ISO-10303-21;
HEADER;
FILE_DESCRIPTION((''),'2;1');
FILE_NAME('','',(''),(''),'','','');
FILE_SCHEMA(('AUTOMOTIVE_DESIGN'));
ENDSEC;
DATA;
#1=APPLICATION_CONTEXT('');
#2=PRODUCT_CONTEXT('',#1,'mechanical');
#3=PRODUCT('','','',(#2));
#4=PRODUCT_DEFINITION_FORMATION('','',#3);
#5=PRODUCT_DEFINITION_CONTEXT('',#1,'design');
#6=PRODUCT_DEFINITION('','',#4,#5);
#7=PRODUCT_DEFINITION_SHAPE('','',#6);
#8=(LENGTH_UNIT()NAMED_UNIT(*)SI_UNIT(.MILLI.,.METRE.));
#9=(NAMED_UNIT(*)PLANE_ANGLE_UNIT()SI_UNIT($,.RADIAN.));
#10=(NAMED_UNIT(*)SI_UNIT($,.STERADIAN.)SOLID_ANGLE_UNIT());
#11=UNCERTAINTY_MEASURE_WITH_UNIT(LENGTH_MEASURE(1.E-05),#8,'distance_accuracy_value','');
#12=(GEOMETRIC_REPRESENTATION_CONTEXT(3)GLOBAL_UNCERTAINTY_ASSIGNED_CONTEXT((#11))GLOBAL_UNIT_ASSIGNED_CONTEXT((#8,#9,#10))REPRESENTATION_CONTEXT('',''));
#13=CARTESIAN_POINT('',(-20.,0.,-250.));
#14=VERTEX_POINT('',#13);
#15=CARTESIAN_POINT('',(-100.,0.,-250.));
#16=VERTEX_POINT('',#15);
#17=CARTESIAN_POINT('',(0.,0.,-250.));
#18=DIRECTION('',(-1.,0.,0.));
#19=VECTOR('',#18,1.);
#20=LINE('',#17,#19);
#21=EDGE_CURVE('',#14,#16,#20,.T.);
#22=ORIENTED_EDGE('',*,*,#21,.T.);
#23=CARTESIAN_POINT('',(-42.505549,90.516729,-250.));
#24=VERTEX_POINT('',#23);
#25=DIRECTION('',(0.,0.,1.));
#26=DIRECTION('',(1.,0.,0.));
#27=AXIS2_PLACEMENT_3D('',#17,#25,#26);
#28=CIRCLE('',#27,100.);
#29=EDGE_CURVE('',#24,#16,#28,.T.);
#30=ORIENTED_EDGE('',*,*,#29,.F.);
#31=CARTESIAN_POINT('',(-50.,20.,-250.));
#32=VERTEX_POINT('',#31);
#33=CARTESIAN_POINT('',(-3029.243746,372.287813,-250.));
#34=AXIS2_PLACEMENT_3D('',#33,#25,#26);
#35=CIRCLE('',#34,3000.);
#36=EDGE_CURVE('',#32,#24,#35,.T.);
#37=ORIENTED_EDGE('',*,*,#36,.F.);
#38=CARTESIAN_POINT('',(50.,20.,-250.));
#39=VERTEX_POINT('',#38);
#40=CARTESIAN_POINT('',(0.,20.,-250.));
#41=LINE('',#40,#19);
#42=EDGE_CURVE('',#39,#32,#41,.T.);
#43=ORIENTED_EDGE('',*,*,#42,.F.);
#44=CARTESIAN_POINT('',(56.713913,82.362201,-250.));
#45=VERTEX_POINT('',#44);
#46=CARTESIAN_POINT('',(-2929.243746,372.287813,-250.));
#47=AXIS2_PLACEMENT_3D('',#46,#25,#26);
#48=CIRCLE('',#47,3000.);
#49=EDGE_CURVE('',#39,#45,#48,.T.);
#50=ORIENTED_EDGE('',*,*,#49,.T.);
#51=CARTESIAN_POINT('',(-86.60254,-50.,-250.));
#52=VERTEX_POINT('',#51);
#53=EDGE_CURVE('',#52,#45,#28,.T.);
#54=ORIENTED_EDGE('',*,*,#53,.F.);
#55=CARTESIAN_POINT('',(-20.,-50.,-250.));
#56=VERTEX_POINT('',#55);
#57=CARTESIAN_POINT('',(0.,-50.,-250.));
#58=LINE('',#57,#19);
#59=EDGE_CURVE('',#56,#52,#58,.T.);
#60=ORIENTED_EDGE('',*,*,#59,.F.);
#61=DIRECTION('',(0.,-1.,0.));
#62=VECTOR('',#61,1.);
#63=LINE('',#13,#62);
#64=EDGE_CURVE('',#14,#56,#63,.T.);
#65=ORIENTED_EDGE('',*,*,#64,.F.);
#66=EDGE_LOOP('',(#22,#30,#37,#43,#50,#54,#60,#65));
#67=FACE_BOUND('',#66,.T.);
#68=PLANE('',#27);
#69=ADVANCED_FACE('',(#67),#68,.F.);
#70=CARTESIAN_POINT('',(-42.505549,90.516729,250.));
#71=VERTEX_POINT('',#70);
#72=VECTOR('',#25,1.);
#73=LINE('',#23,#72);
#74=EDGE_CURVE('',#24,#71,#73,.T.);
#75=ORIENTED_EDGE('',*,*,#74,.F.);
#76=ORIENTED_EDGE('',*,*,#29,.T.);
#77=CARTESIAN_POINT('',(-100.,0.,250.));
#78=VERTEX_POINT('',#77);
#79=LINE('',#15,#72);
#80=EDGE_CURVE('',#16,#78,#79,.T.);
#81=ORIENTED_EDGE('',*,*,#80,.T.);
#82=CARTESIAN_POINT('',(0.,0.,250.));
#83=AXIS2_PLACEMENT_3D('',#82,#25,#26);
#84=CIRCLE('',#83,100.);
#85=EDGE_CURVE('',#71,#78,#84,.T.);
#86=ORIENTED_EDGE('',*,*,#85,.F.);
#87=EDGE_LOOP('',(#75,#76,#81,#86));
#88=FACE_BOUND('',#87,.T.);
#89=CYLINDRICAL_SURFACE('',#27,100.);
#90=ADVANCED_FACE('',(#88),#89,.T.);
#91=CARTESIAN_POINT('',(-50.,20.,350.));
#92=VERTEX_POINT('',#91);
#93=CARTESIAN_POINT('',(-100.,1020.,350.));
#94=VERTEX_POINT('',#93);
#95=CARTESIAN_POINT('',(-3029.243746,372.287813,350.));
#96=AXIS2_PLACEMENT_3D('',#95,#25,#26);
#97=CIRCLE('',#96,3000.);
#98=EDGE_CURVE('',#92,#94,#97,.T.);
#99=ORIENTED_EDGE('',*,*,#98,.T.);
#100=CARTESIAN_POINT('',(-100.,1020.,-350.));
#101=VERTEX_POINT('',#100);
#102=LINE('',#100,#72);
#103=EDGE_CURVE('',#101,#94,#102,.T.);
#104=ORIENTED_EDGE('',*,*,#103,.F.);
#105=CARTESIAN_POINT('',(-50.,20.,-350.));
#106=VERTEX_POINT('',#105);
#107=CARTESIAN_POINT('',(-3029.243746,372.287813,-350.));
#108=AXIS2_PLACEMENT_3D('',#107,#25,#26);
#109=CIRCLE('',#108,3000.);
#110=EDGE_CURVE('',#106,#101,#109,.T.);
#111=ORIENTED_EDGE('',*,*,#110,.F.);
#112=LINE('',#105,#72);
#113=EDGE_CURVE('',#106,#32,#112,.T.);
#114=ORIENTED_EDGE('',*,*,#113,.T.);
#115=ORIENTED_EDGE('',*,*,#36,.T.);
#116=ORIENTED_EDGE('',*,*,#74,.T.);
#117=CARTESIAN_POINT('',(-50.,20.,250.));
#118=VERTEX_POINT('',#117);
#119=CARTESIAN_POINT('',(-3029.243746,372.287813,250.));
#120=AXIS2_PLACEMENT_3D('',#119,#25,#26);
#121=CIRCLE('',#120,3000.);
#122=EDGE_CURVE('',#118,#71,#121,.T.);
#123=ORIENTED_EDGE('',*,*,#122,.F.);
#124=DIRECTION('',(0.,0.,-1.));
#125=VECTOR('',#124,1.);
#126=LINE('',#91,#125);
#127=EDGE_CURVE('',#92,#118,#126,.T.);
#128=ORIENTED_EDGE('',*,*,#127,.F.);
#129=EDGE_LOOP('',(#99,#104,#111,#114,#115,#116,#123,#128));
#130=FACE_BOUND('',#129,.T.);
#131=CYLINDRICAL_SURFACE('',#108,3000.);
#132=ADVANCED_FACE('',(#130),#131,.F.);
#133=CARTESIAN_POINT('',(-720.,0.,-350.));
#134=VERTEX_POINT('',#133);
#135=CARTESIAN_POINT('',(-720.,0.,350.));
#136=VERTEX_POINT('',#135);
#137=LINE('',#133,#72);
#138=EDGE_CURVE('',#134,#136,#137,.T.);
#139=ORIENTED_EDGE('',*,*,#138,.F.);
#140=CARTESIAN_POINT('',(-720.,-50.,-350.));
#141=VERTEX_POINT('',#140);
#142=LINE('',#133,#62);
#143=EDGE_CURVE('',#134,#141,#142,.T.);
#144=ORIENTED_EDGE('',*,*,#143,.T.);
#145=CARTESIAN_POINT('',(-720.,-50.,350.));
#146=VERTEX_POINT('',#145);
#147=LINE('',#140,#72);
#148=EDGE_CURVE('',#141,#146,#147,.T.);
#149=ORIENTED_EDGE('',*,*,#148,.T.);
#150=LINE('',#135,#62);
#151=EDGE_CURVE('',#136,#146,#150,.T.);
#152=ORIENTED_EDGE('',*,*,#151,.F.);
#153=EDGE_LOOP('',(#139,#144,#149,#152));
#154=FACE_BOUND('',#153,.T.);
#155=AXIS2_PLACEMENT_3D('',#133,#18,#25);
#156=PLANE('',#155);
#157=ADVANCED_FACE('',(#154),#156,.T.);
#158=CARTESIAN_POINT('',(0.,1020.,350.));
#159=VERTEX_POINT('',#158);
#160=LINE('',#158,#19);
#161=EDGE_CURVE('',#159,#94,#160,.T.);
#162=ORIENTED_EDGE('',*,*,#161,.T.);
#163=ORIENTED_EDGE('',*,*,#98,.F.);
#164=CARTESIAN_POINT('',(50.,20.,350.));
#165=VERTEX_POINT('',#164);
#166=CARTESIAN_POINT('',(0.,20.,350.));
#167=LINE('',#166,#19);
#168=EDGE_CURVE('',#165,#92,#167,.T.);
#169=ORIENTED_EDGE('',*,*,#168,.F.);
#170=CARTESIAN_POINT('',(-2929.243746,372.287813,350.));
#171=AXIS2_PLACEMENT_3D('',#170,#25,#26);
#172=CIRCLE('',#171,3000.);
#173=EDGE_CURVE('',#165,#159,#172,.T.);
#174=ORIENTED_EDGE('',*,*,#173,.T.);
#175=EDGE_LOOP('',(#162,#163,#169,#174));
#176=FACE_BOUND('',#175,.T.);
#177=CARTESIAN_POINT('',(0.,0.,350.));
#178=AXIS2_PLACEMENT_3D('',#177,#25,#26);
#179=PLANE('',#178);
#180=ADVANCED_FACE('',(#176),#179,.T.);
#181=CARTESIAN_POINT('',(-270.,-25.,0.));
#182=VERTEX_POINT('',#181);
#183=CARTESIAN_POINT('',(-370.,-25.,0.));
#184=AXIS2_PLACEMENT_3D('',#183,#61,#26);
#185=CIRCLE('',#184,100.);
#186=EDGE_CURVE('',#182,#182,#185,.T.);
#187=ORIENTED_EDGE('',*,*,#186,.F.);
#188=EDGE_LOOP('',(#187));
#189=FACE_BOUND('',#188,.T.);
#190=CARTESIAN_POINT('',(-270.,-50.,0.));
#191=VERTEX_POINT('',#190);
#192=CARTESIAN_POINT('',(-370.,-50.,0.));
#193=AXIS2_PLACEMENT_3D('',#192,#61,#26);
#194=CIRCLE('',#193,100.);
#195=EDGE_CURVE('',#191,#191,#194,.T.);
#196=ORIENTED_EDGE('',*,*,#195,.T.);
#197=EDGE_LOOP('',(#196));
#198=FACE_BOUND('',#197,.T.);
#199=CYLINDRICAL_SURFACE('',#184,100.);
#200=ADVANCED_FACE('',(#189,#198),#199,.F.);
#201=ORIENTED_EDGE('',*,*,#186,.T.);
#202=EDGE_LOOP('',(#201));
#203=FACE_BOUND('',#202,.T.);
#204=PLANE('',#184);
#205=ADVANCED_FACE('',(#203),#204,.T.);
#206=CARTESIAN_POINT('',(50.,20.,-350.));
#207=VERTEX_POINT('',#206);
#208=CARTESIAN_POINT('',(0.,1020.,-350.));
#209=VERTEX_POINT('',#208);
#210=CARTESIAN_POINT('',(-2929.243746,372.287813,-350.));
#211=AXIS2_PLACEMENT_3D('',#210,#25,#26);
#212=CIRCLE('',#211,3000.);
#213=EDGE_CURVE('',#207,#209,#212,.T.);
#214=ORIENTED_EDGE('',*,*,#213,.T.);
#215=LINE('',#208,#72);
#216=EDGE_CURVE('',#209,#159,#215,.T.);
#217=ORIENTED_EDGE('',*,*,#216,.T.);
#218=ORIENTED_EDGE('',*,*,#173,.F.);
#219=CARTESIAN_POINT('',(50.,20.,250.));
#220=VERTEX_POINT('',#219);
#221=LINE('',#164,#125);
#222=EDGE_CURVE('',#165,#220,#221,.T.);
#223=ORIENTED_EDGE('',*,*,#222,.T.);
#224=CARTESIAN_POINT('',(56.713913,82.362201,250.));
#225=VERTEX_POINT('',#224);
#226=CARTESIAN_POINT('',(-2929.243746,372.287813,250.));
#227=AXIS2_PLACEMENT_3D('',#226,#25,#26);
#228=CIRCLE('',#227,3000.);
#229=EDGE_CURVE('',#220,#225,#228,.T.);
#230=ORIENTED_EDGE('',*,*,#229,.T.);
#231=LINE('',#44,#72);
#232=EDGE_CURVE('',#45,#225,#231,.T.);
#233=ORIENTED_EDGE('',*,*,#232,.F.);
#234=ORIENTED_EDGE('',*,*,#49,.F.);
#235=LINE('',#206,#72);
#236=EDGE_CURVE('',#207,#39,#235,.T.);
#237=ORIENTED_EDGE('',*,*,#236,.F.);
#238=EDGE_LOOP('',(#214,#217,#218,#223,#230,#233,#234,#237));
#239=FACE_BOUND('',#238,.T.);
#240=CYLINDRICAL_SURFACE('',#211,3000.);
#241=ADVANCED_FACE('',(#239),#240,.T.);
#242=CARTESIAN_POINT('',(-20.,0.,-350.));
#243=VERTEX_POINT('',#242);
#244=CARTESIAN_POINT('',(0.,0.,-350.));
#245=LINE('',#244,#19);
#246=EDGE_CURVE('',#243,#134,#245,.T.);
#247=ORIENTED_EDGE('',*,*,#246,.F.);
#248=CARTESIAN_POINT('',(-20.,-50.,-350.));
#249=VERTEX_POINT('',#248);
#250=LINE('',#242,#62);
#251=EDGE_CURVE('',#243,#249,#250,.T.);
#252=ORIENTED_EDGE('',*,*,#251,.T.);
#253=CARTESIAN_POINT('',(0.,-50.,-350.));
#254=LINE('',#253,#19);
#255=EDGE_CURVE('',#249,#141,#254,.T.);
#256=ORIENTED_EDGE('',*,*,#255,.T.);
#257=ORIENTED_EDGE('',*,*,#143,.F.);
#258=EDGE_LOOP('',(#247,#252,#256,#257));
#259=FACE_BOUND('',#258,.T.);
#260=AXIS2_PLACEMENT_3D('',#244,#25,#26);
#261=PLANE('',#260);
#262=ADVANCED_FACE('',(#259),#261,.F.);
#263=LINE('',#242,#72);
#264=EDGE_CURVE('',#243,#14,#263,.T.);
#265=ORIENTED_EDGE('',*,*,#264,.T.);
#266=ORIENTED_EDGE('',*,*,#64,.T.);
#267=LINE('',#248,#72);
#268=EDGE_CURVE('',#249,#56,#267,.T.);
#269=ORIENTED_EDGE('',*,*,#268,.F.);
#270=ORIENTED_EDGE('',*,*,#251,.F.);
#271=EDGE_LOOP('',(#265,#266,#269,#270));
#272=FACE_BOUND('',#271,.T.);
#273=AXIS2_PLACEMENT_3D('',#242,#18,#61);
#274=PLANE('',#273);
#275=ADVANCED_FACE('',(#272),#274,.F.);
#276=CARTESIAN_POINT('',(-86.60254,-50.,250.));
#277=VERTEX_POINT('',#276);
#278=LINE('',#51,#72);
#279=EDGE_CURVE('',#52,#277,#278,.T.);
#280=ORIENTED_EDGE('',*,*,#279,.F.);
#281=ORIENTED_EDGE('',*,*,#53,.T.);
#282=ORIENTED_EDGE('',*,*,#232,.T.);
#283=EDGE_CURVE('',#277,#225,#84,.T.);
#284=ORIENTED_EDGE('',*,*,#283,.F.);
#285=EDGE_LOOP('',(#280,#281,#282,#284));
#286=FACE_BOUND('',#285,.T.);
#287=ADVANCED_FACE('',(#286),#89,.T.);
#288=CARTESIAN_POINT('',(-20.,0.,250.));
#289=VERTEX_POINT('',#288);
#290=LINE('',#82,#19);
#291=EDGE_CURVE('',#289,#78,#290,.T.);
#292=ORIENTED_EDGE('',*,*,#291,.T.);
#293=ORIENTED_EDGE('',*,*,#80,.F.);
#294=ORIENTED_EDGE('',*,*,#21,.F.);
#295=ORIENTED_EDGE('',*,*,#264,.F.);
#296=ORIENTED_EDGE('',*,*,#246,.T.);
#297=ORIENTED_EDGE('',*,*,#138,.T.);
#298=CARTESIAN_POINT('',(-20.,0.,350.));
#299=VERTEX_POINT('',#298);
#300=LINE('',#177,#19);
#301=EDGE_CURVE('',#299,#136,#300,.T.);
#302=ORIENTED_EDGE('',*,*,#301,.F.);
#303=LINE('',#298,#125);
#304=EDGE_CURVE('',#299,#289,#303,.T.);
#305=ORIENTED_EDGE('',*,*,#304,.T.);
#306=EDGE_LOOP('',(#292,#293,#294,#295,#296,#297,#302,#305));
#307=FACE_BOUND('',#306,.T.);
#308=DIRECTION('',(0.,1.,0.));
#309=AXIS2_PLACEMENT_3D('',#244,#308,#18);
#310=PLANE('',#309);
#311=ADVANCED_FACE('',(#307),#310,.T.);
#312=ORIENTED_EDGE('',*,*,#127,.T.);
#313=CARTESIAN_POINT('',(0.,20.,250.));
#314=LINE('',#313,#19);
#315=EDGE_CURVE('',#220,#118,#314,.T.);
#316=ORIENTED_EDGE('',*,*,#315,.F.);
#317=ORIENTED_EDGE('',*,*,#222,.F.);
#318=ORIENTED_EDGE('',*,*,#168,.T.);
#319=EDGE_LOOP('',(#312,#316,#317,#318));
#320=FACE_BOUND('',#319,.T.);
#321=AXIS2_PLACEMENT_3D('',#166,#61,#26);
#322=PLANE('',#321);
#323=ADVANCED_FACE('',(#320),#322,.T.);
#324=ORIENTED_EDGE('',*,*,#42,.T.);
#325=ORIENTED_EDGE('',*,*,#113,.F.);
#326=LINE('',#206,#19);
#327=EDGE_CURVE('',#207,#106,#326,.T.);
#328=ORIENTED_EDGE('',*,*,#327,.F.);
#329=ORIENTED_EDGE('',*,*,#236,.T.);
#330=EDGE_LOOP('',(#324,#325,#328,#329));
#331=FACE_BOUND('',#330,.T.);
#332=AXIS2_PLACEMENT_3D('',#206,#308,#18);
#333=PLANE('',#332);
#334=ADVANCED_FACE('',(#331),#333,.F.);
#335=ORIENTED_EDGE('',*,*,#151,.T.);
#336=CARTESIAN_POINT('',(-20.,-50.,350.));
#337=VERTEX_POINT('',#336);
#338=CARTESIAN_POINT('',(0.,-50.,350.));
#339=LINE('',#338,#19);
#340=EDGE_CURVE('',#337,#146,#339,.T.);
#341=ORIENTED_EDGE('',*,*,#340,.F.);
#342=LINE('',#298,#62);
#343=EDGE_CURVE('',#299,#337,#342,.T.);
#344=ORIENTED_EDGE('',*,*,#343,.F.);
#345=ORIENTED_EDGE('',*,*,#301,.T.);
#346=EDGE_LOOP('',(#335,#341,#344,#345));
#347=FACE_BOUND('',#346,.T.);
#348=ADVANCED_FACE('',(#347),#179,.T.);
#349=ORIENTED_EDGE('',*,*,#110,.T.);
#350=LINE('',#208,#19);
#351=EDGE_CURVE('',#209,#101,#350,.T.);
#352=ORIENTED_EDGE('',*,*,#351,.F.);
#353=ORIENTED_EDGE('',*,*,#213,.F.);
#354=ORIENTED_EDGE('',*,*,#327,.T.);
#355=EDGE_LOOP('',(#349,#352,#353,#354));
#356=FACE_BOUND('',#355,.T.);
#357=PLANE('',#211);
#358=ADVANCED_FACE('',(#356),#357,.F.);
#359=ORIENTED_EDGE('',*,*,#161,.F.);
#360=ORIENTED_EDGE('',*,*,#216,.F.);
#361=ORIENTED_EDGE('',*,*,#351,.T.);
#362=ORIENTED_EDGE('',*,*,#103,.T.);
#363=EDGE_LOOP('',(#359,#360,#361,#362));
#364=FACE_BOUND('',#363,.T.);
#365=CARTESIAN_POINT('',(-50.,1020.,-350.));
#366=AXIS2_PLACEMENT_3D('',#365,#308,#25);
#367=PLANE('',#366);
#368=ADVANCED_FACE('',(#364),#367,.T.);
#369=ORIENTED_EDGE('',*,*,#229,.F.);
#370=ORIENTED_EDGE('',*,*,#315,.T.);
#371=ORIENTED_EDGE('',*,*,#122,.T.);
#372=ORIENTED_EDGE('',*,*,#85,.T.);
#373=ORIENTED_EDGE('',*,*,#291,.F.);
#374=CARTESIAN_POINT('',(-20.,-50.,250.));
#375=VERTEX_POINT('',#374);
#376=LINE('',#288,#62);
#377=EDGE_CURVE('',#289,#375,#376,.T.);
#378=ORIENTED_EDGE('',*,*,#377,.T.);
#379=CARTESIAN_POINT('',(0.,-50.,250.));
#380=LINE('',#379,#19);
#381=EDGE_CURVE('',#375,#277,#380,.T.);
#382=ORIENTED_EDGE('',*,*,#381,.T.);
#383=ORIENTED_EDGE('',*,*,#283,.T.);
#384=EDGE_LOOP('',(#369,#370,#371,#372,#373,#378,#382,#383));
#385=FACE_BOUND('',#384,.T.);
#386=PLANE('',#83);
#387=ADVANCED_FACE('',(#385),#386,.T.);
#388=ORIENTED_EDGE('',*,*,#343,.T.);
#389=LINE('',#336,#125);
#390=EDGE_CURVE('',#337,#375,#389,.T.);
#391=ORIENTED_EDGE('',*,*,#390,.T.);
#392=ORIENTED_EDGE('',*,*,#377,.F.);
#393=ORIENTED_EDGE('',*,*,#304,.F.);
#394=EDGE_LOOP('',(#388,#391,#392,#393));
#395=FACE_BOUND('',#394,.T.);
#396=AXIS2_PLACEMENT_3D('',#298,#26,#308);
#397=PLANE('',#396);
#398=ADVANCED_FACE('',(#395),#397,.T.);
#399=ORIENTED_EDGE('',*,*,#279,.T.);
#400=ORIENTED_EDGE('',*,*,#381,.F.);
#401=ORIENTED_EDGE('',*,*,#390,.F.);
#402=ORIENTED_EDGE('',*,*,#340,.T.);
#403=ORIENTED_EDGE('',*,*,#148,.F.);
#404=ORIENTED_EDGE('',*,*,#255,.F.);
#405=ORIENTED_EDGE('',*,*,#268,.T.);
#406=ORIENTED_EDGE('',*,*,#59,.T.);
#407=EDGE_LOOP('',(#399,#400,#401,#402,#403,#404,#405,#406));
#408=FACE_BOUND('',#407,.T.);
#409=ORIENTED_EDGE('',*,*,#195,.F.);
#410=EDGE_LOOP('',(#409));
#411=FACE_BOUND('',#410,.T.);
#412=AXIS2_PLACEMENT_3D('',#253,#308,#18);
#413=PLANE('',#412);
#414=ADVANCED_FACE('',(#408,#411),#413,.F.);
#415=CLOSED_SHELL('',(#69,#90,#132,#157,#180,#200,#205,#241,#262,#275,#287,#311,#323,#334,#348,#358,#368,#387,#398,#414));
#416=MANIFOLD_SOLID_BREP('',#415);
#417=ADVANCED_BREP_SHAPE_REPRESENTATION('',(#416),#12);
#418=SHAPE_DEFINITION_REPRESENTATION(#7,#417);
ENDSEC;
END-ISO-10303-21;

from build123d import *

# Parameters (mm, degrees)
BOSS_EXTRUDE1_DEPTH   = 350
SKETCH2_W             = 700
SKETCH2_H             = 50
BOSS_EXTRUDE1_2_DEPTH = 350
BOSS_EXTRUDE2_DEPTH   = 250
BOSS_EXTRUDE3_START   = 250
BOSS_EXTRUDE3_DEPTH   = 250
BOSS_EXTRUDE4_START   = 350
SKETCH2_5_W           = 700
SKETCH2_5_H           = 50
BOSS_EXTRUDE4_DEPTH   = 350
SKETCH3_R             = 100
CUT_EXTRUDE1_DEPTH    = 25


with BuildPart() as part:
    # Sketch2 → Boss-Extrude1 (new body)
    with BuildSketch(Plane.XY):
        with BuildLine():
            Line((-50, 20), (50, 20))
            ThreePointArc((50, 20), (67.013270812, 522.100663541), (0, 1020))
            Line((0, 1020), (-100, 1020))
            ThreePointArc((-100, 1020), (-32.986729188, 522.100663541), (-50, 20))
        make_face()
    extrude(amount=-BOSS_EXTRUDE1_DEPTH)



with BuildPart() as body_2:
    # Sketch2 → Boss-Extrude1 2 (new body)
    with BuildSketch(Plane.XY):
        with Locations((-370, -25)):
            Rectangle(SKETCH2_W, SKETCH2_H)
    extrude(amount=-BOSS_EXTRUDE1_2_DEPTH)


with BuildPart() as part_1:
    add(part.part)

    add(body_2.part)  # Boss-Extrude2 merges body 2
    # Sketch2<3> → Boss-Extrude2 (add)
    with BuildSketch(Plane.XY):
        with BuildLine():
            ThreePointArc((-86.602540378, -50), (67.847406367, -73.462435634), (56.713912861, 82.362200602))
            ThreePointArc((56.713912861, 82.362200602), (53.519940777, 51.163553411), (50, 20))
            Line((50, 20), (-50, 20))
            ThreePointArc((-50, 20), (-46.044408297, 55.236219759), (-42.505548953, 90.516729438))
            ThreePointArc((-42.505548953, 90.516729438), (-84.411358523, 53.616439199), (-100, 0))
            Line((-100, 0), (-20, 0))
            Line((-20, 0), (-20, -50))
            Line((-20, -50), (-86.602540378, -50))
        make_face()
    extrude(amount=-BOSS_EXTRUDE2_DEPTH)

    # Sketch2<4> → Boss-Extrude3 (add)
    with BuildSketch(Plane.XY.offset(BOSS_EXTRUDE3_START)):
        with BuildLine():
            ThreePointArc((-86.602540378, -50), (67.847406367, -73.462435634), (56.713912861, 82.362200602))
            ThreePointArc((56.713912861, 82.362200602), (53.519940777, 51.163553411), (50, 20))
            Line((50, 20), (-50, 20))
            ThreePointArc((-50, 20), (-46.044408297, 55.236219759), (-42.505548953, 90.516729438))
            ThreePointArc((-42.505548953, 90.516729438), (-84.411358523, 53.616439199), (-100, 0))
            Line((-100, 0), (-20, 0))
            Line((-20, 0), (-20, -50))
            Line((-20, -50), (-86.602540378, -50))
        make_face()
    extrude(amount=-BOSS_EXTRUDE3_DEPTH)

    # Sketch2<5> → Boss-Extrude4 (add)
    with BuildSketch(Plane.XY.offset(BOSS_EXTRUDE4_START)):
        with BuildLine():
            Line((-50, 20), (50, 20))
            ThreePointArc((50, 20), (67.013270812, 522.100663541), (0, 1020))
            Line((0, 1020), (-100, 1020))
            ThreePointArc((-100, 1020), (-32.986729188, 522.100663541), (-50, 20))
        make_face()
        with Locations((-370, -25)):
            Rectangle(SKETCH2_5_W, SKETCH2_5_H)
    extrude(amount=-BOSS_EXTRUDE4_DEPTH)

    # Sketch3 → Cut-Extrude1 (cut)
    with BuildSketch(Plane.XZ.offset(50)):
        with Locations((-370, 0)):
            Circle(SKETCH3_R)
    extrude(amount=-CUT_EXTRUDE1_DEPTH, mode=Mode.SUBTRACT)


solid = part_1.part
